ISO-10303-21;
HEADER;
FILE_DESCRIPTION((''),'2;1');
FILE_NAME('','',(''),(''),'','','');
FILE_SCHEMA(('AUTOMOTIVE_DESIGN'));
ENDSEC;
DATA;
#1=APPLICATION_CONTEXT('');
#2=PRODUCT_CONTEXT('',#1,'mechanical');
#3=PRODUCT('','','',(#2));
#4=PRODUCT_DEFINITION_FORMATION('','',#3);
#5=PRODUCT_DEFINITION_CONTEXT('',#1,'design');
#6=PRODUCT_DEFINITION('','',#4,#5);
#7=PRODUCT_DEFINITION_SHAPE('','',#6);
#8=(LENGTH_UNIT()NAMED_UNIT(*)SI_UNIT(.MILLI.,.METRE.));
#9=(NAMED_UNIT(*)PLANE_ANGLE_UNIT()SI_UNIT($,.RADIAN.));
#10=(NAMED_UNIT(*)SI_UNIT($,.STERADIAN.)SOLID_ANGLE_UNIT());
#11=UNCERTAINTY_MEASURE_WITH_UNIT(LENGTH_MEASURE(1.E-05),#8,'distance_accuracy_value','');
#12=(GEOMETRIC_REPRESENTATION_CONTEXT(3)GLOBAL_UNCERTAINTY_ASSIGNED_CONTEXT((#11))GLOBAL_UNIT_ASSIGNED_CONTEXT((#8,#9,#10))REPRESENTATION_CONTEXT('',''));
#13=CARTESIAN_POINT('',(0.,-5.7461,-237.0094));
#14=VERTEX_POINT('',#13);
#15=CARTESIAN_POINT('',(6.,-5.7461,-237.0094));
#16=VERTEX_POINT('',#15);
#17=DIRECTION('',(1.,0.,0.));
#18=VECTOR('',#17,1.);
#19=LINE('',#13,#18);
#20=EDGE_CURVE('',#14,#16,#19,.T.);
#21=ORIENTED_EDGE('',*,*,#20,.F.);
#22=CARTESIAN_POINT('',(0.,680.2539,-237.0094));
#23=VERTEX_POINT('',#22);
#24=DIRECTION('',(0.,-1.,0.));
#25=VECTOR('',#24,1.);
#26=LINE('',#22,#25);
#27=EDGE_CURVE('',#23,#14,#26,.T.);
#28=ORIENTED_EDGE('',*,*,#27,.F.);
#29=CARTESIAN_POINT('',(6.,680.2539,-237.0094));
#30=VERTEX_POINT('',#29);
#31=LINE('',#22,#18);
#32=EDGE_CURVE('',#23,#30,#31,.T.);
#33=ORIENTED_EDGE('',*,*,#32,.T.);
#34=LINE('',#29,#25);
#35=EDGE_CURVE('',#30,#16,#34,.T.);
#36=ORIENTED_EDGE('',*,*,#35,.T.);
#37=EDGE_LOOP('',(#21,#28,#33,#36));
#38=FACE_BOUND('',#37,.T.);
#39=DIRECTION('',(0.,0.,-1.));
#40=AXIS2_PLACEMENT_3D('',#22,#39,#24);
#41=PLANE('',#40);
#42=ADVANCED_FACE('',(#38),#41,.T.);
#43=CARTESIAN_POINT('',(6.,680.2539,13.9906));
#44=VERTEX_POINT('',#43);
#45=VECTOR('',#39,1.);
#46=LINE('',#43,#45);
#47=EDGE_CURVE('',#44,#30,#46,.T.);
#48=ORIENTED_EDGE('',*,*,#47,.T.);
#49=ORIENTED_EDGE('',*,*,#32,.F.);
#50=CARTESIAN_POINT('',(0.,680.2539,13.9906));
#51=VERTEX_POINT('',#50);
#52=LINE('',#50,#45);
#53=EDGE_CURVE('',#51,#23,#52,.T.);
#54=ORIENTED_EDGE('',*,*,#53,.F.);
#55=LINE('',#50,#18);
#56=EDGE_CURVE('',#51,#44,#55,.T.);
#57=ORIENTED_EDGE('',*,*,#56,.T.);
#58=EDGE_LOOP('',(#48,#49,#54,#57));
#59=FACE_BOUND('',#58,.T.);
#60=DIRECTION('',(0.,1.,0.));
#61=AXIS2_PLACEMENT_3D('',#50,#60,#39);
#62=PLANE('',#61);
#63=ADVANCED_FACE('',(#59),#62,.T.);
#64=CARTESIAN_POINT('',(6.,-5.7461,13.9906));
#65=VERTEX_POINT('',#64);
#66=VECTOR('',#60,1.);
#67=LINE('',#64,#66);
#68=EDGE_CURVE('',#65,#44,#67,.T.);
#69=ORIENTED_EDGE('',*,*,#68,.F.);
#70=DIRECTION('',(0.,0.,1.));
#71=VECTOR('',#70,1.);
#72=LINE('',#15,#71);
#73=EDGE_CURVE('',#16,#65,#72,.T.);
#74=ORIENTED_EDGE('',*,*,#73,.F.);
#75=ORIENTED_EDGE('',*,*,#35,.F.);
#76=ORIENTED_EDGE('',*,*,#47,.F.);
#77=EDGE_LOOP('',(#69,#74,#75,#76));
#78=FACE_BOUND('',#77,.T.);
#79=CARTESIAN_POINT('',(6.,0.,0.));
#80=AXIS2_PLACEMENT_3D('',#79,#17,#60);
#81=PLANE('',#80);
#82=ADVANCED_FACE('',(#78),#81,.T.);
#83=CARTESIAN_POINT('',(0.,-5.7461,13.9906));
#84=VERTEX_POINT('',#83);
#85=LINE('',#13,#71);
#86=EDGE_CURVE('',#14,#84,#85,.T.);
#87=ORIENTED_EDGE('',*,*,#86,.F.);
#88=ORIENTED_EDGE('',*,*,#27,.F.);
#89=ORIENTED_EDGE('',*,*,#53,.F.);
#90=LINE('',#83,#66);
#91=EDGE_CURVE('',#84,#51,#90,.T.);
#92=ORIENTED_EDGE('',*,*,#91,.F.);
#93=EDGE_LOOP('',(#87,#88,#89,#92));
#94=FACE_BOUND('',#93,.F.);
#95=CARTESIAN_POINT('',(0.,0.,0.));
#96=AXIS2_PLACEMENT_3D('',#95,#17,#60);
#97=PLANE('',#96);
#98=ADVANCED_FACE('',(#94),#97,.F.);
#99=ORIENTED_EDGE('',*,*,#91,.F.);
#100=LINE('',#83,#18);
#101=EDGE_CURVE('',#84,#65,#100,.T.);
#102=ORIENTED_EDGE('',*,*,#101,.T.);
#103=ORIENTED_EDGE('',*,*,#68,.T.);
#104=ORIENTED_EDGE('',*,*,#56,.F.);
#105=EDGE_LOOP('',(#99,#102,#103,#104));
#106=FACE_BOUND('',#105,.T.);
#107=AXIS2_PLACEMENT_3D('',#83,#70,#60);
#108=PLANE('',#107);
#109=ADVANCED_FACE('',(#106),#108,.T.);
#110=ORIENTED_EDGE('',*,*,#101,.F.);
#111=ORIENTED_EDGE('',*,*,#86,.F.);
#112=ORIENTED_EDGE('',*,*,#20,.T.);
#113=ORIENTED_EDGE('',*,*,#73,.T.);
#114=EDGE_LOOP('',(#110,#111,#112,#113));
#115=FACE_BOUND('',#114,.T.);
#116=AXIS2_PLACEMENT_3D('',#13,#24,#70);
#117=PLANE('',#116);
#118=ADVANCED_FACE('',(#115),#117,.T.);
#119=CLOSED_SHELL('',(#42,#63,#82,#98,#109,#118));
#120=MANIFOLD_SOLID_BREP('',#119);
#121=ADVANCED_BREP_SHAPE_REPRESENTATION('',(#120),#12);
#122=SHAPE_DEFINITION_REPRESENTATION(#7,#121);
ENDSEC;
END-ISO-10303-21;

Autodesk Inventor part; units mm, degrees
ref_plane "YZ Plane" through (0, 0, 0) normal (1, 0, 0) x (0, 1, 0)
ref_plane "XZ Plane" through (0, 0, 0) normal (0, 1, 0) x (-1, 0, 0)
ref_plane "XY Plane" through (0, 0, 0) normal (0, 0, 1) x (1, 0, 0)
sketch "Sketch1" plane through (0, 0, 0) normal (1, 0, 0) x (0, 1, 0)
  line L0 (-5.7461, 13.9906) -> (680.2539, 13.9906)
  line L1 (680.2539, 13.9906) -> (680.2539, -237.0094)
  line L2 (680.2539, -237.0094) -> (-5.7461, -237.0094)
  line L3 (-5.7461, -237.0094) -> (-5.7461, 13.9906)
  point P0 (0, 0)
  dimension "b" = 686
  dimension "d1" = 251
extrude "Extrusion1" add sketch "Sketch1" along normal blind 6
properties part number "CUT PART K"
